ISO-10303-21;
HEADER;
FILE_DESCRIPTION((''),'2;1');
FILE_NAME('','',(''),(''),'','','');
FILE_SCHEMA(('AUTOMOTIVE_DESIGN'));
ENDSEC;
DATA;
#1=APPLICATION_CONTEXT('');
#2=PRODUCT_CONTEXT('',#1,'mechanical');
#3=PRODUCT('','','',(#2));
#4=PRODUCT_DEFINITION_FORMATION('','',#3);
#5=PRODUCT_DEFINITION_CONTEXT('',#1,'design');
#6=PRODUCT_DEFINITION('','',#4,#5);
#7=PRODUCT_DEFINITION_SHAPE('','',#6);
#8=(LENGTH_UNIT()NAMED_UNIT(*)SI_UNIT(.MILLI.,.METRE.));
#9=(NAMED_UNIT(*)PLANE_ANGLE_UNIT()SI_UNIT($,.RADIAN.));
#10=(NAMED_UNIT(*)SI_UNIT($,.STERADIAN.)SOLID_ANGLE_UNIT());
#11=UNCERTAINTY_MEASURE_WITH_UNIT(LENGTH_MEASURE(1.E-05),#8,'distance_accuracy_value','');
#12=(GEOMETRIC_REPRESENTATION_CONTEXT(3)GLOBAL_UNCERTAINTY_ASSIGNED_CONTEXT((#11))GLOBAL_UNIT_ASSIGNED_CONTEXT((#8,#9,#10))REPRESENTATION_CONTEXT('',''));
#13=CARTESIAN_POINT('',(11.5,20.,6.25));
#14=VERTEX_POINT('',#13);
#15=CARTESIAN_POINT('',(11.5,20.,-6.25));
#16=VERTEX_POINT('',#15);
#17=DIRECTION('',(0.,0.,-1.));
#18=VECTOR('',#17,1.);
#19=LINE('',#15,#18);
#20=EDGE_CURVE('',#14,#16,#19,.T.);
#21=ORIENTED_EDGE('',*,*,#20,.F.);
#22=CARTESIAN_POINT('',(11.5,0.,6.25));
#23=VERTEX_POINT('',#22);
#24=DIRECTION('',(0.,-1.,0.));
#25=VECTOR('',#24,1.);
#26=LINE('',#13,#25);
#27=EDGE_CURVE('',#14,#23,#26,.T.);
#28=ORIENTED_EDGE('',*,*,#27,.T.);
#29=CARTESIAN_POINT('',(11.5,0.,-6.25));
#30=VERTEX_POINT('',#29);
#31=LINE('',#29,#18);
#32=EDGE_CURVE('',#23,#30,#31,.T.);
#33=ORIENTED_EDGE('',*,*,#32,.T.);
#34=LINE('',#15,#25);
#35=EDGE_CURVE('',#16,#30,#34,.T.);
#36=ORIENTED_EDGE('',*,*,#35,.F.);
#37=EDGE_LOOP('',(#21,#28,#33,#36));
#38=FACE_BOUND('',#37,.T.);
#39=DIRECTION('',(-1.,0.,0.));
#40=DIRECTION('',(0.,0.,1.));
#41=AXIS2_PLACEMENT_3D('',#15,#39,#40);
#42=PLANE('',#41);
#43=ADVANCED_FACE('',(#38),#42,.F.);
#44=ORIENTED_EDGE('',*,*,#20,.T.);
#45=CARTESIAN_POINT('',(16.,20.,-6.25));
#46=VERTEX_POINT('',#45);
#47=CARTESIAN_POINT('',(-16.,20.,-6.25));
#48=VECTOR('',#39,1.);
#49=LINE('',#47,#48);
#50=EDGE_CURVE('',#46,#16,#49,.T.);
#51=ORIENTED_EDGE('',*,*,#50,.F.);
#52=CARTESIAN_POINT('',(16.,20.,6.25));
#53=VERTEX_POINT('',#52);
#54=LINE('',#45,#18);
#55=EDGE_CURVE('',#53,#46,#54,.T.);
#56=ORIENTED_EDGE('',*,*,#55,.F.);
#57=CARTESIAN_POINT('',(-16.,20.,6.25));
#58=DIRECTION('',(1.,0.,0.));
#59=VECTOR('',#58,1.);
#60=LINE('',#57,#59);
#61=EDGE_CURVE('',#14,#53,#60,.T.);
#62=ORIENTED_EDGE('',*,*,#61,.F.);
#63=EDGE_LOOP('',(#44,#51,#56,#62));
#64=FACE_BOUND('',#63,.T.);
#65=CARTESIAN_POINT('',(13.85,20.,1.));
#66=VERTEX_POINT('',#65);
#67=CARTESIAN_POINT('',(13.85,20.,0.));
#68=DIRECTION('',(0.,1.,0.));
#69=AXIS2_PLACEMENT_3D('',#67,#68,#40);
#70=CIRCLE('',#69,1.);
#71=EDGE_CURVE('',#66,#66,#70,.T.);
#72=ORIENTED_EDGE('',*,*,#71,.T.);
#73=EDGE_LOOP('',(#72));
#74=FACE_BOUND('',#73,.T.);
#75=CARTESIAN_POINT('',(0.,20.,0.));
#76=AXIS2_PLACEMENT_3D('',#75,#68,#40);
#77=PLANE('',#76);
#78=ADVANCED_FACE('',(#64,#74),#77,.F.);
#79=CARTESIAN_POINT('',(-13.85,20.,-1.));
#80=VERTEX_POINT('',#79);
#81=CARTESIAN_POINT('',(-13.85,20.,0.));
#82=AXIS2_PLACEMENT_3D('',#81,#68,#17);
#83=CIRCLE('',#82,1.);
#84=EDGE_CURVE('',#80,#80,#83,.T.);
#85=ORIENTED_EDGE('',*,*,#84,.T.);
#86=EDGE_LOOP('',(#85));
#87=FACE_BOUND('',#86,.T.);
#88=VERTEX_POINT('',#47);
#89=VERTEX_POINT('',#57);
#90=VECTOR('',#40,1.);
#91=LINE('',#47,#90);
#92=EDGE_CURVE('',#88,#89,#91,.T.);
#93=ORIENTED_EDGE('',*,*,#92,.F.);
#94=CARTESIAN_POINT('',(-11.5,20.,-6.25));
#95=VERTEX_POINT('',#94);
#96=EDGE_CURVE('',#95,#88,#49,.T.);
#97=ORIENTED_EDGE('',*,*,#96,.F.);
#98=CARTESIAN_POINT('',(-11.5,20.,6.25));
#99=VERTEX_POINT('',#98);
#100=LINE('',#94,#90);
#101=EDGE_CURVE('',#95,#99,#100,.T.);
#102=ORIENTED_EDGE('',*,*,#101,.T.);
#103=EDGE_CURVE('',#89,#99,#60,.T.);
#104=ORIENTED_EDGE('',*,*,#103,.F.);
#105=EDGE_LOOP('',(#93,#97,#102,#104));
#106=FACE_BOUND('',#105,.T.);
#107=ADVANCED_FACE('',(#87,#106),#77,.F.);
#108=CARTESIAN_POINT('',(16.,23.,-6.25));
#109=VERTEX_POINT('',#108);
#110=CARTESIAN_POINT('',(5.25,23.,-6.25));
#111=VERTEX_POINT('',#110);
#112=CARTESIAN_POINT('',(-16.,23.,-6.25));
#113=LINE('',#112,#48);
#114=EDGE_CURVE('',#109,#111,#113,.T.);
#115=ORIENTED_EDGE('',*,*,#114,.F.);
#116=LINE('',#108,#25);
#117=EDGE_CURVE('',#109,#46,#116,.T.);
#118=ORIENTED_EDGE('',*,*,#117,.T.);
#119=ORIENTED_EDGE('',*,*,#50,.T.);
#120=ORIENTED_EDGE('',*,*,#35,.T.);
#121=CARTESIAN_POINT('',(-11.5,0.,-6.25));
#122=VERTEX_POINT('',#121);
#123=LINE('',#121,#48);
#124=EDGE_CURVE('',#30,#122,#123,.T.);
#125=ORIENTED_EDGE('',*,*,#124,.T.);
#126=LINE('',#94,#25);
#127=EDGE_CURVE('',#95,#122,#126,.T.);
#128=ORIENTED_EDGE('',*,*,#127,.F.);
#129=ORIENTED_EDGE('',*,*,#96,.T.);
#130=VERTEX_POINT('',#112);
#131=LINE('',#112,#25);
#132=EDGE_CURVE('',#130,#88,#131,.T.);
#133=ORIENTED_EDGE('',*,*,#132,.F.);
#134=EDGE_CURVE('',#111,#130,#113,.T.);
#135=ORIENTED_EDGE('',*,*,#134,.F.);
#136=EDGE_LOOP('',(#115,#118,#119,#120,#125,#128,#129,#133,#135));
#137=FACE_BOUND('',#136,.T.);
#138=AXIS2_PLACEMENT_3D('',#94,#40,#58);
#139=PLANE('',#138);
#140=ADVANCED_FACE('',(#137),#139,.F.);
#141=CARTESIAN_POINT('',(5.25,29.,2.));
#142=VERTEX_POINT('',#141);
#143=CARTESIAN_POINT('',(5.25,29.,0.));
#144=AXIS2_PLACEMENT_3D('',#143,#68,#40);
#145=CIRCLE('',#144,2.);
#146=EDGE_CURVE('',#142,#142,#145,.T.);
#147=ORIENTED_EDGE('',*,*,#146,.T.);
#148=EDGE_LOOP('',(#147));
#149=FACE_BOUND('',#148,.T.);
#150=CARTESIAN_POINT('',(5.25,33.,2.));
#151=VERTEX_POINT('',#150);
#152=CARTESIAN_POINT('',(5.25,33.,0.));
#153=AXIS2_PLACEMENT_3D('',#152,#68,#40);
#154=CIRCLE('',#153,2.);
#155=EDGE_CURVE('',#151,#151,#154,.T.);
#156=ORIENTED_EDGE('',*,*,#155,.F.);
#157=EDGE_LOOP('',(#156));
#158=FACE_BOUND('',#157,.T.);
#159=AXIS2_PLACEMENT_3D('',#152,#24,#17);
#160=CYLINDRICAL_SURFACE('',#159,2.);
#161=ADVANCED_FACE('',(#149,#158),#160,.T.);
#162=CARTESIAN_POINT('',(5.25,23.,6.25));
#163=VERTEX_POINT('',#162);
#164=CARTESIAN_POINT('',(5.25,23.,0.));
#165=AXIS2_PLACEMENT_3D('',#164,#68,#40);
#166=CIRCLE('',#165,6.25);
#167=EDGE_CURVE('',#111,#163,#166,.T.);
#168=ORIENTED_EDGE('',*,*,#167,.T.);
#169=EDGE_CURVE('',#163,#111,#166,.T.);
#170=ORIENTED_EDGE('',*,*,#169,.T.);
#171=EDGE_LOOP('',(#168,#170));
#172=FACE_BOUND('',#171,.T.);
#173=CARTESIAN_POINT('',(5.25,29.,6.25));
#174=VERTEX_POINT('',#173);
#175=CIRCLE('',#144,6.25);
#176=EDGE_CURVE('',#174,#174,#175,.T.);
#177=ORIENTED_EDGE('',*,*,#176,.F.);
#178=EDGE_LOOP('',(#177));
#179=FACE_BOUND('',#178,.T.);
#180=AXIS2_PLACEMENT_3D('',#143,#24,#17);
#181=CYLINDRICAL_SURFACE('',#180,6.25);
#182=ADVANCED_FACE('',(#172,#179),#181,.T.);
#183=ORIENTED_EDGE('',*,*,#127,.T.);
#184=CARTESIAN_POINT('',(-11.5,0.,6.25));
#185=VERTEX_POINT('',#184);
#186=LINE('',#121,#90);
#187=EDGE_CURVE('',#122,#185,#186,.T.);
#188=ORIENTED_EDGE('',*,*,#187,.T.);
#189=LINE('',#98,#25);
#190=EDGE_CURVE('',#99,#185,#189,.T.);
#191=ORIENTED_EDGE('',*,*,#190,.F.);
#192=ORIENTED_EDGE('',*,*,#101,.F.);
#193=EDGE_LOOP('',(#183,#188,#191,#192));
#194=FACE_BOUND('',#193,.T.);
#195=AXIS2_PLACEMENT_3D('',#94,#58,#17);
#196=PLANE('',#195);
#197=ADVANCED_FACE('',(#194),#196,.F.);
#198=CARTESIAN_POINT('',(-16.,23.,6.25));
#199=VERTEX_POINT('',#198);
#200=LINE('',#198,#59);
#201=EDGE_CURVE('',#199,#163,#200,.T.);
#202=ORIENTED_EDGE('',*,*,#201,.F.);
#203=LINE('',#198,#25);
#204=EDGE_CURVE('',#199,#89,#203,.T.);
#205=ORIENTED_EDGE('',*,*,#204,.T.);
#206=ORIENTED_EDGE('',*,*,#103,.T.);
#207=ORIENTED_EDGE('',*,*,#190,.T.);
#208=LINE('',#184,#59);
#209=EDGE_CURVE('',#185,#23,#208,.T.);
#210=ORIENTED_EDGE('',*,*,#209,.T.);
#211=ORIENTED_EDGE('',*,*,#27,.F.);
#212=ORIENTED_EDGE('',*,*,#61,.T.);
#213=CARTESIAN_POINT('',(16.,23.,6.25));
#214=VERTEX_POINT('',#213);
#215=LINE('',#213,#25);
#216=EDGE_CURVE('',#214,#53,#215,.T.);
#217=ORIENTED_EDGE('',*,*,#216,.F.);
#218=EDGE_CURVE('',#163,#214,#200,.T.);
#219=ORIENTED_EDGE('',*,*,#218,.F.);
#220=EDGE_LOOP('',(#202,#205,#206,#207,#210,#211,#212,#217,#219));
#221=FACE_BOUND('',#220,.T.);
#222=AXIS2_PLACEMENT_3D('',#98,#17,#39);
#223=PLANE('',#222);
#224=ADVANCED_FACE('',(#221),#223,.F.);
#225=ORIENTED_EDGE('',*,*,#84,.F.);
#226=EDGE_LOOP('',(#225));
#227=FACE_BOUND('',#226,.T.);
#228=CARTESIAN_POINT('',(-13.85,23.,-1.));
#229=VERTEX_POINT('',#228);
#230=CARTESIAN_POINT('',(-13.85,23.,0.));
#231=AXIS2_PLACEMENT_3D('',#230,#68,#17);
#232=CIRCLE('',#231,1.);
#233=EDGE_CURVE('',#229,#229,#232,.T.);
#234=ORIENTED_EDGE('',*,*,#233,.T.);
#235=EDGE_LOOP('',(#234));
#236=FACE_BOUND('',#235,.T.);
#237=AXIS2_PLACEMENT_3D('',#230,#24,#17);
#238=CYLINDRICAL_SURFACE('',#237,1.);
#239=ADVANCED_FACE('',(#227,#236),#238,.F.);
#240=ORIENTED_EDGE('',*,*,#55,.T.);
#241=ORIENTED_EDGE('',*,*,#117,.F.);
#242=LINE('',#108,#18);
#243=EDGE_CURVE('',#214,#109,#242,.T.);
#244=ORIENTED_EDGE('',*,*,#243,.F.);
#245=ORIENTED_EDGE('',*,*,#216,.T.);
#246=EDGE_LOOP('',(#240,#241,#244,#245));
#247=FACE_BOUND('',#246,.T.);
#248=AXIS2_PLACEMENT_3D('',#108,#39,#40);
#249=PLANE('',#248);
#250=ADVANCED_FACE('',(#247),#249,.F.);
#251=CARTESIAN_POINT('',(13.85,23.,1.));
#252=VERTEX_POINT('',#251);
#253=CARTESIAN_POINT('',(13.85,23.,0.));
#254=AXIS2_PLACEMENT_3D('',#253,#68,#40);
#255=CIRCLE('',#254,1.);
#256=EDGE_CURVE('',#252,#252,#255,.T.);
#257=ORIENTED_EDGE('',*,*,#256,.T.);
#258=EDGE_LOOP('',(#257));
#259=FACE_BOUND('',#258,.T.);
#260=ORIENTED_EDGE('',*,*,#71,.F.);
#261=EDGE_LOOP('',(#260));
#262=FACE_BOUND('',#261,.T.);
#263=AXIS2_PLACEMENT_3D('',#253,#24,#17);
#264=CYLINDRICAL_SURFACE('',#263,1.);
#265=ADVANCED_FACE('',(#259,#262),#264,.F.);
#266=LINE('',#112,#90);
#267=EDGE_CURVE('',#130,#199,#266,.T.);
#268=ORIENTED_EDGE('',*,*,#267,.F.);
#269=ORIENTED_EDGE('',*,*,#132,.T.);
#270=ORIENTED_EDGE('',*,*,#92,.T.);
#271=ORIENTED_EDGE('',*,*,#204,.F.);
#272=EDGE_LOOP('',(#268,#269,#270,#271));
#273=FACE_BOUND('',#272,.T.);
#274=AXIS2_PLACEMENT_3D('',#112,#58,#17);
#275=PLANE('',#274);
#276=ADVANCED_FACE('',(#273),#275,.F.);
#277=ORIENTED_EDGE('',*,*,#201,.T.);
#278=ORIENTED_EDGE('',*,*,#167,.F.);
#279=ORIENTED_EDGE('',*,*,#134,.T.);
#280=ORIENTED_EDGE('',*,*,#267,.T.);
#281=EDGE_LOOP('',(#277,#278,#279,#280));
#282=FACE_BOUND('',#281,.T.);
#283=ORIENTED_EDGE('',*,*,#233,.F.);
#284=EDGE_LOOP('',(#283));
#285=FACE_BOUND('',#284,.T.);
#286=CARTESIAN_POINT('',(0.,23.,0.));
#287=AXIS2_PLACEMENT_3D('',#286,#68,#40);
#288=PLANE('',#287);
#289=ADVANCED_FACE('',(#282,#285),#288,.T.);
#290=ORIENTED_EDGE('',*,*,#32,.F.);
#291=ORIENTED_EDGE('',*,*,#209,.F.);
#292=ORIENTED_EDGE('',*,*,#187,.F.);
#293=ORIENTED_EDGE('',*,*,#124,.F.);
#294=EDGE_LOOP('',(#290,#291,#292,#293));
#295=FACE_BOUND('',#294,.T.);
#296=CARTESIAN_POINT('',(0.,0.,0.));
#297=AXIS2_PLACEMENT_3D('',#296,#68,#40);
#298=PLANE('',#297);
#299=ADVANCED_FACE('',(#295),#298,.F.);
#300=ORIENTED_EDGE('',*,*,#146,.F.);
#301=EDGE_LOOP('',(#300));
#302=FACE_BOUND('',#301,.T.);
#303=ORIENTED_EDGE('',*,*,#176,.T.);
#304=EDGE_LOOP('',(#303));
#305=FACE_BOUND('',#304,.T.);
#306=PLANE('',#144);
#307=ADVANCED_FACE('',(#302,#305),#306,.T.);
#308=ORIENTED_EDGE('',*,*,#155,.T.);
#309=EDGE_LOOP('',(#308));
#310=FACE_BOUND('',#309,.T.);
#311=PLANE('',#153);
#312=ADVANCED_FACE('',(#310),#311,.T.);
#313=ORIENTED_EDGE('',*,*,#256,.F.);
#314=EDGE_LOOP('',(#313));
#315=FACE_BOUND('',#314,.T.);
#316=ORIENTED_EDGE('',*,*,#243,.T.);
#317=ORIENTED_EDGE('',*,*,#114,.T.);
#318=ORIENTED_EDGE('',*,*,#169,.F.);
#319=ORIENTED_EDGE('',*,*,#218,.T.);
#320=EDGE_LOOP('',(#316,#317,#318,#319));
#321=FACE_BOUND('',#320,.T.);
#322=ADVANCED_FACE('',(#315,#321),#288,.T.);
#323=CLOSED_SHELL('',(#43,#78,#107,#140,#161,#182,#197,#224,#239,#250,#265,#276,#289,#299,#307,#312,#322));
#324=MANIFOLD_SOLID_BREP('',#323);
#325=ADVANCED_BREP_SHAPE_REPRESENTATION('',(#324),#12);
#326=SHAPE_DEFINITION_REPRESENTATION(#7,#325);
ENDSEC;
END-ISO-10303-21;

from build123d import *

# Parameters (mm, degrees)
SKETCH_1_W      = 23
SKETCH_1_H      = 12.5
EXTRUDE_1_DEPTH = 20
SKETCH_2_W      = 32
SKETCH_2_H      = 12.5
SKETCH_2_R      = 1
EXTRUDE_2_DEPTH = 3
SKETCH_4_R      = 6.25
EXTRUDE_3_DEPTH = 6
SKETCH_5_R      = 2
EXTRUDE_4_DEPTH = 4


with BuildPart() as part:
    # 草图1 → 凸台-拉伸1 (new body)
    with BuildSketch(Plane(origin=(0, 0, 0), x_dir=(1, 0, 0), z_dir=(0, 1, 0))):
        Rectangle(SKETCH_1_W, SKETCH_1_H)
    extrude(amount=EXTRUDE_1_DEPTH)

    # 草图2 → 凸台-拉伸2 (add)
    with BuildSketch(Plane(origin=(0, 20, 0), x_dir=(1, 0, 0), z_dir=(0, 1, 0))):
        Rectangle(SKETCH_2_W, SKETCH_2_H)
        with Locations(Location((13.85, 0, 0), (0, 0, 270))):
            Circle(SKETCH_2_R, mode=Mode.SUBTRACT)
        with Locations(Location((-13.85, 0, 0), (0, 0, 90))):
            Circle(SKETCH_2_R, mode=Mode.SUBTRACT)
    extrude(amount=EXTRUDE_2_DEPTH)

    # 草图4 → 凸台-拉伸3 (add)
    with BuildSketch(Plane(origin=(0, 23, 0), x_dir=(1, 0, 0), z_dir=(0, 1, 0))):
        with Locations(Location((5.25, 0, 0), (0, 0, 270))):
            Circle(SKETCH_4_R)
    extrude(amount=EXTRUDE_3_DEPTH)

    # 草图5 → 凸台-拉伸4 (add)
    with BuildSketch(Plane(origin=(0, 29, 0), x_dir=(1, 0, 0), z_dir=(0, 1, 0))):
        with Locations(Location((5.25, 0, 0), (0, 0, 270))):
            Circle(SKETCH_5_R)
    extrude(amount=EXTRUDE_4_DEPTH)


solid = part.part
